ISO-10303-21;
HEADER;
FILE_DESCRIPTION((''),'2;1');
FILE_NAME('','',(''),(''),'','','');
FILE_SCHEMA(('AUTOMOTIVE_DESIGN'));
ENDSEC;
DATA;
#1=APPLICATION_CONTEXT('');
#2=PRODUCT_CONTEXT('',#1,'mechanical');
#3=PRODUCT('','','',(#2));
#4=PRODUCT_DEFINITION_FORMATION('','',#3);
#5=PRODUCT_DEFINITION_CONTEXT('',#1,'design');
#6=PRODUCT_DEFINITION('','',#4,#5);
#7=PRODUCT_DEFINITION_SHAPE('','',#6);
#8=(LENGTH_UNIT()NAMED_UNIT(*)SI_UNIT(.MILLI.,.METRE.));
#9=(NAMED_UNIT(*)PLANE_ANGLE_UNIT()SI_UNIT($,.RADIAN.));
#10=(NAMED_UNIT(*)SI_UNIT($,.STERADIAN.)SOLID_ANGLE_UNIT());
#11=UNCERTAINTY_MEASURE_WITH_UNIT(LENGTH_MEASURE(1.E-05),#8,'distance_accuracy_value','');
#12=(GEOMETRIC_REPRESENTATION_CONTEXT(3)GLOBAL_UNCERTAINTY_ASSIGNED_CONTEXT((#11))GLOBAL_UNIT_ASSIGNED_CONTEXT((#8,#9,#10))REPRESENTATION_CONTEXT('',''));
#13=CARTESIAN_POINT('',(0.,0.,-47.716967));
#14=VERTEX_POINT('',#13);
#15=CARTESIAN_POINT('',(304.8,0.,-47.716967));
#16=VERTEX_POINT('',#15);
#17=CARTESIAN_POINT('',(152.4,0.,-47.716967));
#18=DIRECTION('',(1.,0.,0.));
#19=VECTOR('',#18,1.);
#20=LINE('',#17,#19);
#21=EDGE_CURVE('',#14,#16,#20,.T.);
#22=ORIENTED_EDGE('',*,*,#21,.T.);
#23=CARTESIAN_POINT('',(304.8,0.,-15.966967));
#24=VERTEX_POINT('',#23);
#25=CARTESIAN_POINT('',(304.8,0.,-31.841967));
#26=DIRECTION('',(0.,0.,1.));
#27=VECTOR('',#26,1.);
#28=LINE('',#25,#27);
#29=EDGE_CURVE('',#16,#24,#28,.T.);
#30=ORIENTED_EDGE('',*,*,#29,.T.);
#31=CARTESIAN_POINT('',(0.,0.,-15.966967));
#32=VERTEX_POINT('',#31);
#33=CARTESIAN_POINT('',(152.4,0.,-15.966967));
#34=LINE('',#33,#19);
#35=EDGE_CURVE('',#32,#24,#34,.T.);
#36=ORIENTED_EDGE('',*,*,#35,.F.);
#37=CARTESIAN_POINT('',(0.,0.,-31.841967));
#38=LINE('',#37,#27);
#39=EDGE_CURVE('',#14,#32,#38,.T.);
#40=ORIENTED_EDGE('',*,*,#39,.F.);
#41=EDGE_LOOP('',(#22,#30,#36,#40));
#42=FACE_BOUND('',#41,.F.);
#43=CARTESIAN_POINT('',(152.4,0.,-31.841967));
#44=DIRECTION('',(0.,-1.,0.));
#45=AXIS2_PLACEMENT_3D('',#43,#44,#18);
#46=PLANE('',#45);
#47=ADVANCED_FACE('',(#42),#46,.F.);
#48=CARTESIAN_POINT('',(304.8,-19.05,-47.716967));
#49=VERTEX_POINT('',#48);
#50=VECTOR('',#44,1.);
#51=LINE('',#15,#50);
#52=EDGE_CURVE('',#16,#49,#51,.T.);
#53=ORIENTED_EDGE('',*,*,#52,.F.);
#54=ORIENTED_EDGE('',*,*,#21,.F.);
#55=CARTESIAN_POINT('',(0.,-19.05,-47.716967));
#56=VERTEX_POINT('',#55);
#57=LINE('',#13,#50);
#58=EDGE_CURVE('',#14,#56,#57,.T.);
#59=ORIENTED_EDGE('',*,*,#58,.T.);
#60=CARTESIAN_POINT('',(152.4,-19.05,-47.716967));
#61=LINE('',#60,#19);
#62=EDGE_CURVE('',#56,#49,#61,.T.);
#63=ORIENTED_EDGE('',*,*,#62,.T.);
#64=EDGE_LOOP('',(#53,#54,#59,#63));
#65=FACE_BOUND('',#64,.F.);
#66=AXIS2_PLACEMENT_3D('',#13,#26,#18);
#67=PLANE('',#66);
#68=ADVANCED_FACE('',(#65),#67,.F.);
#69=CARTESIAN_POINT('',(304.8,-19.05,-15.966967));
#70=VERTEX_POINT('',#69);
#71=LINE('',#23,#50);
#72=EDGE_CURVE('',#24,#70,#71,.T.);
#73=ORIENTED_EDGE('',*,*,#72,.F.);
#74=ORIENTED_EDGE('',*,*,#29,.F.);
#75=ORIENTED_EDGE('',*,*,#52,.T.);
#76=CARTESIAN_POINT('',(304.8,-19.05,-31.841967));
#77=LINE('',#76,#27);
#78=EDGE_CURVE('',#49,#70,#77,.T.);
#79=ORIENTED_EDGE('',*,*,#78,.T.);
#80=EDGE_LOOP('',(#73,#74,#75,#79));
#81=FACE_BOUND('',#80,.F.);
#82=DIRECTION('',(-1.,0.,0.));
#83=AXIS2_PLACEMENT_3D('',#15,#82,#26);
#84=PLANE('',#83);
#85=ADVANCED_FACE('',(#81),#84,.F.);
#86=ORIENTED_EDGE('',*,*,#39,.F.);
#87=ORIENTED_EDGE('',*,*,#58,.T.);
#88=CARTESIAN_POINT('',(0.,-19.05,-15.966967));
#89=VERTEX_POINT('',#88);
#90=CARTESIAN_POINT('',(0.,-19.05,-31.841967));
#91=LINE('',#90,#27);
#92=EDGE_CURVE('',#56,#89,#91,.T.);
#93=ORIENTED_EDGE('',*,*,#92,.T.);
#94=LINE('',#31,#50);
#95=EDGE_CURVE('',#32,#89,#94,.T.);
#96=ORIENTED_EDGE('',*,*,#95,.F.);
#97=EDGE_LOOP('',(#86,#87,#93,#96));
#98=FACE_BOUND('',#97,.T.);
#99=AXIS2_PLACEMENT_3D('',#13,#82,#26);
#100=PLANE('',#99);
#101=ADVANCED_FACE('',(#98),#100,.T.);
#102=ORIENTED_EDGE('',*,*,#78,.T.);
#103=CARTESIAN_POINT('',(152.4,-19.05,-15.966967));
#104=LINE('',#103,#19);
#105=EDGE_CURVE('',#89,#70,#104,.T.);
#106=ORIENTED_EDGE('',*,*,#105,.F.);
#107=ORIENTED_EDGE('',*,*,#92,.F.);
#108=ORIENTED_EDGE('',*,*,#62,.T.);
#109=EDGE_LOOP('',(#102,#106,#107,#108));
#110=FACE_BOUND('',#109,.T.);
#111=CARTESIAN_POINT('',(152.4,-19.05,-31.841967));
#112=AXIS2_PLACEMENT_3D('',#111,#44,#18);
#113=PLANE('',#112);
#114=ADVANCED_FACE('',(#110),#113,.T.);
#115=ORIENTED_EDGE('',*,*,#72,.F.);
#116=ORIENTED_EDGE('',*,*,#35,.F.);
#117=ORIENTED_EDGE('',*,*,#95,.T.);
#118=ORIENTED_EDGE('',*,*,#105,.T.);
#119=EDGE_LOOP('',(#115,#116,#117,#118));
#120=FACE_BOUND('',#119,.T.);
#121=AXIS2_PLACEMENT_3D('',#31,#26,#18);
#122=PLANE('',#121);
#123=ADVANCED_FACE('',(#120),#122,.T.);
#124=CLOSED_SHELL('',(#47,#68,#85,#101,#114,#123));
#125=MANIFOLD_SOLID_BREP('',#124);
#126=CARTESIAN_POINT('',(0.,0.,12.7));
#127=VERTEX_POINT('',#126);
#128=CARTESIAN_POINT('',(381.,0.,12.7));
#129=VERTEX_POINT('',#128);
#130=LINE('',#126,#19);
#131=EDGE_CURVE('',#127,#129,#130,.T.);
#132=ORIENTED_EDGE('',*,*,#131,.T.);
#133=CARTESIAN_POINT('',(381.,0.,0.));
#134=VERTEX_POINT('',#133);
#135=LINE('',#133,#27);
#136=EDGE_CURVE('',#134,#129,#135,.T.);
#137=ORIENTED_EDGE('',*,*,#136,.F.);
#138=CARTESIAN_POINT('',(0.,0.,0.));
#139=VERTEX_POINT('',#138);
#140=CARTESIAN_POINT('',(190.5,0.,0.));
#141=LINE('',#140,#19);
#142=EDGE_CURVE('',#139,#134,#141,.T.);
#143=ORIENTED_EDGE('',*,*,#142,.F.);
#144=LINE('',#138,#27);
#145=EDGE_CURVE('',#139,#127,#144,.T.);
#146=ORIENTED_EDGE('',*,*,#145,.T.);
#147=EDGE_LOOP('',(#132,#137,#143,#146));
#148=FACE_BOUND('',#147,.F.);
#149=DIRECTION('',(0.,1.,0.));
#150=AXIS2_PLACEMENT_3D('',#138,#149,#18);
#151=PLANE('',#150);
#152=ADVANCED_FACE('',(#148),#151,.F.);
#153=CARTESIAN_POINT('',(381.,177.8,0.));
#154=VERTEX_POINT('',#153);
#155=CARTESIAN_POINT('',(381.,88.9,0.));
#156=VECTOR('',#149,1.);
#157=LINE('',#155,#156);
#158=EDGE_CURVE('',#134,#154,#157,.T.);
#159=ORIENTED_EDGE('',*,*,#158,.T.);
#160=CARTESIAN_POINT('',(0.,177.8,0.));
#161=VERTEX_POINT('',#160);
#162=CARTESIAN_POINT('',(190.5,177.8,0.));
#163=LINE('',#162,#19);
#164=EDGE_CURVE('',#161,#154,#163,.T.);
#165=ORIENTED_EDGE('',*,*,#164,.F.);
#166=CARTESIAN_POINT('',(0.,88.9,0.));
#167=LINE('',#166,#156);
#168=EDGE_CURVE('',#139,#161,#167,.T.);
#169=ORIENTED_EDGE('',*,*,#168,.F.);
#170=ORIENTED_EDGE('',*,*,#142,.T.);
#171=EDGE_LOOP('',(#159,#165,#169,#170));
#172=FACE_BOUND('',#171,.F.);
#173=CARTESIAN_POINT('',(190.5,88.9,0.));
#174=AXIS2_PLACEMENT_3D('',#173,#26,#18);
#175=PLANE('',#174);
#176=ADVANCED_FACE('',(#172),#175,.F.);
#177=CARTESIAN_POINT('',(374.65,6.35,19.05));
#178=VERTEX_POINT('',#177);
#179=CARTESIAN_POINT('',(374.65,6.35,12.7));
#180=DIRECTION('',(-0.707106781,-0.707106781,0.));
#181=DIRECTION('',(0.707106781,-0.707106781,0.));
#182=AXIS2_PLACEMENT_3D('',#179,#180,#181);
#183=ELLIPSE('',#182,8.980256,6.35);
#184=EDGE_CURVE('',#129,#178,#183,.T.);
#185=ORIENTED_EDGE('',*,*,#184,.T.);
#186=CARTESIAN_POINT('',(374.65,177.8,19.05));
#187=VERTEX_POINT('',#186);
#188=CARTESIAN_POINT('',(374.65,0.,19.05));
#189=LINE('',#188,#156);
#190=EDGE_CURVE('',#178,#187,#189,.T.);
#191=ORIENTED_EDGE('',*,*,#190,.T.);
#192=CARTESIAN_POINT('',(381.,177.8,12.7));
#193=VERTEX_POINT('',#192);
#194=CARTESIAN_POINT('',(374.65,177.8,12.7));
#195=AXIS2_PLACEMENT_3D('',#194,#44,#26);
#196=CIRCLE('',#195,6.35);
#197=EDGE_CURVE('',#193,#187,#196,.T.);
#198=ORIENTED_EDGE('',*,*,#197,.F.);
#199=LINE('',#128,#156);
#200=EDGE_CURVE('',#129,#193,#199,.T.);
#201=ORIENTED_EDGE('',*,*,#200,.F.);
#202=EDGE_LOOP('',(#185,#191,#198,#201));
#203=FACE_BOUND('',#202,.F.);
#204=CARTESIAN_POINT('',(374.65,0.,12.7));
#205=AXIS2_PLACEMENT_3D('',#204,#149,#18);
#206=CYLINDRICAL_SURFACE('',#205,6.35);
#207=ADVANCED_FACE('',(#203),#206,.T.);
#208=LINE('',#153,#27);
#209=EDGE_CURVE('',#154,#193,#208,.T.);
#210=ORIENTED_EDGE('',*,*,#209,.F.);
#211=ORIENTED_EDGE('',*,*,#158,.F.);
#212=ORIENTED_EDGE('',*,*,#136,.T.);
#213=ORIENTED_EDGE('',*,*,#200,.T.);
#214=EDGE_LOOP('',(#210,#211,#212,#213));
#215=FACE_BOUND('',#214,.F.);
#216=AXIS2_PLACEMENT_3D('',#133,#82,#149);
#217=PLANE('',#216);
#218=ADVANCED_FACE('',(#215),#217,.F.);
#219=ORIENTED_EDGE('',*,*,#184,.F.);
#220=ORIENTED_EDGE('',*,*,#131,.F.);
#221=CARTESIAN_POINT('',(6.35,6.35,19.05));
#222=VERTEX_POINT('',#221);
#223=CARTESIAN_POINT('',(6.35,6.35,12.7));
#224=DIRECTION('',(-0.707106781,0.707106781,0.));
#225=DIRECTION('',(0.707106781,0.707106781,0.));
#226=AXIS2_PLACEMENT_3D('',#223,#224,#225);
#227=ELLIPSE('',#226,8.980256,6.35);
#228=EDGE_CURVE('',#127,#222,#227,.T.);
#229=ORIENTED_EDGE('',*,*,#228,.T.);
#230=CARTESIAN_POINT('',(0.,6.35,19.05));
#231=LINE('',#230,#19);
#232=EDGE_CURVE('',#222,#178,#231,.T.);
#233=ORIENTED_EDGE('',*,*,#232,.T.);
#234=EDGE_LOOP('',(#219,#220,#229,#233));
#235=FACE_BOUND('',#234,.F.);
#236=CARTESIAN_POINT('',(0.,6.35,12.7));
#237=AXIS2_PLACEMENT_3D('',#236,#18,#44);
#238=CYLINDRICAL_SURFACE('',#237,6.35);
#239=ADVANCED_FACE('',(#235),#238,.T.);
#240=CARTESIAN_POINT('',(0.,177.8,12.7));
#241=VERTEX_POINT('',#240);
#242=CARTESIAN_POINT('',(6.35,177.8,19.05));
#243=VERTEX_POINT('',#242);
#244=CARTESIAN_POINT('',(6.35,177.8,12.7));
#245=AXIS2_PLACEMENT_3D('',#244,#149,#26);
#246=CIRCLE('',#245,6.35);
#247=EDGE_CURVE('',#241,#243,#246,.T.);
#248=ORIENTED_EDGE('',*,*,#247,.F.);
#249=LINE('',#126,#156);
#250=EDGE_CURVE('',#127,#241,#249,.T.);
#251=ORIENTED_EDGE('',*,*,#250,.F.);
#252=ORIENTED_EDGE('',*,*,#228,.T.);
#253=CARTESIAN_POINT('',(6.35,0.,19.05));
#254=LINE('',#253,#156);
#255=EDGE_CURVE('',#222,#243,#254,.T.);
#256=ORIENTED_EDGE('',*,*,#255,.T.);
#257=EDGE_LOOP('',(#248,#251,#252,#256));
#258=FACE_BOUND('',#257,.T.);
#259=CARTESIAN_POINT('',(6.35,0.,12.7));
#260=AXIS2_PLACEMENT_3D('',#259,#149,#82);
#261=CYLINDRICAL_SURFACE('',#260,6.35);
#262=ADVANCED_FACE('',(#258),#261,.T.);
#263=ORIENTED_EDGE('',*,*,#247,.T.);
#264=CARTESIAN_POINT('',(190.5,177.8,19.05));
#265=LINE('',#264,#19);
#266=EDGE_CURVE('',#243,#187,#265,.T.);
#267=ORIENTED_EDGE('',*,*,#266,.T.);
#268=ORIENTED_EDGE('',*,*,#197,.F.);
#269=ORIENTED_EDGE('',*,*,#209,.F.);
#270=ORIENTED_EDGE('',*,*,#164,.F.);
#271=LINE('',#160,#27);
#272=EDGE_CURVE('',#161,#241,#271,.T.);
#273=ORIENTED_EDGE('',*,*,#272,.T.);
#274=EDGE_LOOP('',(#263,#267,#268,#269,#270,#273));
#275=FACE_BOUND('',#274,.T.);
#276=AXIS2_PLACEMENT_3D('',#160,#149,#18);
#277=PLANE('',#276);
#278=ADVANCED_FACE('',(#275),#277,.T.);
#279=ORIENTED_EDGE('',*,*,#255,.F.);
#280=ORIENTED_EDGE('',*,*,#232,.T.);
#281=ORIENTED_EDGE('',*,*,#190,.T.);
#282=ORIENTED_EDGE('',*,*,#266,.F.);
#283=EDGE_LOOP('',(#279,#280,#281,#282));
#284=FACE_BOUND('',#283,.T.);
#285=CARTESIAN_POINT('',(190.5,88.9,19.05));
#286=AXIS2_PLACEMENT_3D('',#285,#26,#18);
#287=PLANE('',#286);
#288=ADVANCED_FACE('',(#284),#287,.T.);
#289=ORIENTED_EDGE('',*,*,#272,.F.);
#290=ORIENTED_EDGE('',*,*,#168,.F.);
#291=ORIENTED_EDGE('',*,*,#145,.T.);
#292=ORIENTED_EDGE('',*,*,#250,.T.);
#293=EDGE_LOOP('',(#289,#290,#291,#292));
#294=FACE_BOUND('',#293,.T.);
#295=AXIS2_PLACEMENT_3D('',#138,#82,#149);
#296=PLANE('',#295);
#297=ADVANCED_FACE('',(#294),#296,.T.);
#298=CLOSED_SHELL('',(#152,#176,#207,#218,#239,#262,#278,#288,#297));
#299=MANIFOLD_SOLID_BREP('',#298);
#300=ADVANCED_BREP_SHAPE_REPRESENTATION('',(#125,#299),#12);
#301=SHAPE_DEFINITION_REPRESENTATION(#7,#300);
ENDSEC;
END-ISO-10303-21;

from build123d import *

# Parameters (mm, degrees)
F0_W     = 381
F0_H     = 177.8
F1_DEPTH = 19.05
F2_R     = 6.35
F3_W     = 304.8
F3_H     = 31.75
F4_DEPTH = 19.05


with BuildPart() as f1:
    # F0 (on Top) → F1 (new body)
    with BuildSketch(Plane.XY):
        with Locations((190.5, 88.9)):
            Rectangle(F0_W, F0_H)
    extrude(amount=F1_DEPTH)

    # F2
    f2_edges = [f1.edges().sort_by_distance(p)[0] for p in [
        (0, 88.9, 19.05),
        (190.5, 0, 19.05),
        (381, 88.9, 19.05),
    ]]
    fillet(f2_edges, radius=F2_R)


with BuildPart() as f4:
    # F3 (on Front) → F4 (new body)
    with BuildSketch(Plane.XZ):
        with Locations((152.4, -31.841967)):
            Rectangle(F3_W, F3_H)
    extrude(amount=F4_DEPTH)


solid = Compound([f1.part, f4.part])
